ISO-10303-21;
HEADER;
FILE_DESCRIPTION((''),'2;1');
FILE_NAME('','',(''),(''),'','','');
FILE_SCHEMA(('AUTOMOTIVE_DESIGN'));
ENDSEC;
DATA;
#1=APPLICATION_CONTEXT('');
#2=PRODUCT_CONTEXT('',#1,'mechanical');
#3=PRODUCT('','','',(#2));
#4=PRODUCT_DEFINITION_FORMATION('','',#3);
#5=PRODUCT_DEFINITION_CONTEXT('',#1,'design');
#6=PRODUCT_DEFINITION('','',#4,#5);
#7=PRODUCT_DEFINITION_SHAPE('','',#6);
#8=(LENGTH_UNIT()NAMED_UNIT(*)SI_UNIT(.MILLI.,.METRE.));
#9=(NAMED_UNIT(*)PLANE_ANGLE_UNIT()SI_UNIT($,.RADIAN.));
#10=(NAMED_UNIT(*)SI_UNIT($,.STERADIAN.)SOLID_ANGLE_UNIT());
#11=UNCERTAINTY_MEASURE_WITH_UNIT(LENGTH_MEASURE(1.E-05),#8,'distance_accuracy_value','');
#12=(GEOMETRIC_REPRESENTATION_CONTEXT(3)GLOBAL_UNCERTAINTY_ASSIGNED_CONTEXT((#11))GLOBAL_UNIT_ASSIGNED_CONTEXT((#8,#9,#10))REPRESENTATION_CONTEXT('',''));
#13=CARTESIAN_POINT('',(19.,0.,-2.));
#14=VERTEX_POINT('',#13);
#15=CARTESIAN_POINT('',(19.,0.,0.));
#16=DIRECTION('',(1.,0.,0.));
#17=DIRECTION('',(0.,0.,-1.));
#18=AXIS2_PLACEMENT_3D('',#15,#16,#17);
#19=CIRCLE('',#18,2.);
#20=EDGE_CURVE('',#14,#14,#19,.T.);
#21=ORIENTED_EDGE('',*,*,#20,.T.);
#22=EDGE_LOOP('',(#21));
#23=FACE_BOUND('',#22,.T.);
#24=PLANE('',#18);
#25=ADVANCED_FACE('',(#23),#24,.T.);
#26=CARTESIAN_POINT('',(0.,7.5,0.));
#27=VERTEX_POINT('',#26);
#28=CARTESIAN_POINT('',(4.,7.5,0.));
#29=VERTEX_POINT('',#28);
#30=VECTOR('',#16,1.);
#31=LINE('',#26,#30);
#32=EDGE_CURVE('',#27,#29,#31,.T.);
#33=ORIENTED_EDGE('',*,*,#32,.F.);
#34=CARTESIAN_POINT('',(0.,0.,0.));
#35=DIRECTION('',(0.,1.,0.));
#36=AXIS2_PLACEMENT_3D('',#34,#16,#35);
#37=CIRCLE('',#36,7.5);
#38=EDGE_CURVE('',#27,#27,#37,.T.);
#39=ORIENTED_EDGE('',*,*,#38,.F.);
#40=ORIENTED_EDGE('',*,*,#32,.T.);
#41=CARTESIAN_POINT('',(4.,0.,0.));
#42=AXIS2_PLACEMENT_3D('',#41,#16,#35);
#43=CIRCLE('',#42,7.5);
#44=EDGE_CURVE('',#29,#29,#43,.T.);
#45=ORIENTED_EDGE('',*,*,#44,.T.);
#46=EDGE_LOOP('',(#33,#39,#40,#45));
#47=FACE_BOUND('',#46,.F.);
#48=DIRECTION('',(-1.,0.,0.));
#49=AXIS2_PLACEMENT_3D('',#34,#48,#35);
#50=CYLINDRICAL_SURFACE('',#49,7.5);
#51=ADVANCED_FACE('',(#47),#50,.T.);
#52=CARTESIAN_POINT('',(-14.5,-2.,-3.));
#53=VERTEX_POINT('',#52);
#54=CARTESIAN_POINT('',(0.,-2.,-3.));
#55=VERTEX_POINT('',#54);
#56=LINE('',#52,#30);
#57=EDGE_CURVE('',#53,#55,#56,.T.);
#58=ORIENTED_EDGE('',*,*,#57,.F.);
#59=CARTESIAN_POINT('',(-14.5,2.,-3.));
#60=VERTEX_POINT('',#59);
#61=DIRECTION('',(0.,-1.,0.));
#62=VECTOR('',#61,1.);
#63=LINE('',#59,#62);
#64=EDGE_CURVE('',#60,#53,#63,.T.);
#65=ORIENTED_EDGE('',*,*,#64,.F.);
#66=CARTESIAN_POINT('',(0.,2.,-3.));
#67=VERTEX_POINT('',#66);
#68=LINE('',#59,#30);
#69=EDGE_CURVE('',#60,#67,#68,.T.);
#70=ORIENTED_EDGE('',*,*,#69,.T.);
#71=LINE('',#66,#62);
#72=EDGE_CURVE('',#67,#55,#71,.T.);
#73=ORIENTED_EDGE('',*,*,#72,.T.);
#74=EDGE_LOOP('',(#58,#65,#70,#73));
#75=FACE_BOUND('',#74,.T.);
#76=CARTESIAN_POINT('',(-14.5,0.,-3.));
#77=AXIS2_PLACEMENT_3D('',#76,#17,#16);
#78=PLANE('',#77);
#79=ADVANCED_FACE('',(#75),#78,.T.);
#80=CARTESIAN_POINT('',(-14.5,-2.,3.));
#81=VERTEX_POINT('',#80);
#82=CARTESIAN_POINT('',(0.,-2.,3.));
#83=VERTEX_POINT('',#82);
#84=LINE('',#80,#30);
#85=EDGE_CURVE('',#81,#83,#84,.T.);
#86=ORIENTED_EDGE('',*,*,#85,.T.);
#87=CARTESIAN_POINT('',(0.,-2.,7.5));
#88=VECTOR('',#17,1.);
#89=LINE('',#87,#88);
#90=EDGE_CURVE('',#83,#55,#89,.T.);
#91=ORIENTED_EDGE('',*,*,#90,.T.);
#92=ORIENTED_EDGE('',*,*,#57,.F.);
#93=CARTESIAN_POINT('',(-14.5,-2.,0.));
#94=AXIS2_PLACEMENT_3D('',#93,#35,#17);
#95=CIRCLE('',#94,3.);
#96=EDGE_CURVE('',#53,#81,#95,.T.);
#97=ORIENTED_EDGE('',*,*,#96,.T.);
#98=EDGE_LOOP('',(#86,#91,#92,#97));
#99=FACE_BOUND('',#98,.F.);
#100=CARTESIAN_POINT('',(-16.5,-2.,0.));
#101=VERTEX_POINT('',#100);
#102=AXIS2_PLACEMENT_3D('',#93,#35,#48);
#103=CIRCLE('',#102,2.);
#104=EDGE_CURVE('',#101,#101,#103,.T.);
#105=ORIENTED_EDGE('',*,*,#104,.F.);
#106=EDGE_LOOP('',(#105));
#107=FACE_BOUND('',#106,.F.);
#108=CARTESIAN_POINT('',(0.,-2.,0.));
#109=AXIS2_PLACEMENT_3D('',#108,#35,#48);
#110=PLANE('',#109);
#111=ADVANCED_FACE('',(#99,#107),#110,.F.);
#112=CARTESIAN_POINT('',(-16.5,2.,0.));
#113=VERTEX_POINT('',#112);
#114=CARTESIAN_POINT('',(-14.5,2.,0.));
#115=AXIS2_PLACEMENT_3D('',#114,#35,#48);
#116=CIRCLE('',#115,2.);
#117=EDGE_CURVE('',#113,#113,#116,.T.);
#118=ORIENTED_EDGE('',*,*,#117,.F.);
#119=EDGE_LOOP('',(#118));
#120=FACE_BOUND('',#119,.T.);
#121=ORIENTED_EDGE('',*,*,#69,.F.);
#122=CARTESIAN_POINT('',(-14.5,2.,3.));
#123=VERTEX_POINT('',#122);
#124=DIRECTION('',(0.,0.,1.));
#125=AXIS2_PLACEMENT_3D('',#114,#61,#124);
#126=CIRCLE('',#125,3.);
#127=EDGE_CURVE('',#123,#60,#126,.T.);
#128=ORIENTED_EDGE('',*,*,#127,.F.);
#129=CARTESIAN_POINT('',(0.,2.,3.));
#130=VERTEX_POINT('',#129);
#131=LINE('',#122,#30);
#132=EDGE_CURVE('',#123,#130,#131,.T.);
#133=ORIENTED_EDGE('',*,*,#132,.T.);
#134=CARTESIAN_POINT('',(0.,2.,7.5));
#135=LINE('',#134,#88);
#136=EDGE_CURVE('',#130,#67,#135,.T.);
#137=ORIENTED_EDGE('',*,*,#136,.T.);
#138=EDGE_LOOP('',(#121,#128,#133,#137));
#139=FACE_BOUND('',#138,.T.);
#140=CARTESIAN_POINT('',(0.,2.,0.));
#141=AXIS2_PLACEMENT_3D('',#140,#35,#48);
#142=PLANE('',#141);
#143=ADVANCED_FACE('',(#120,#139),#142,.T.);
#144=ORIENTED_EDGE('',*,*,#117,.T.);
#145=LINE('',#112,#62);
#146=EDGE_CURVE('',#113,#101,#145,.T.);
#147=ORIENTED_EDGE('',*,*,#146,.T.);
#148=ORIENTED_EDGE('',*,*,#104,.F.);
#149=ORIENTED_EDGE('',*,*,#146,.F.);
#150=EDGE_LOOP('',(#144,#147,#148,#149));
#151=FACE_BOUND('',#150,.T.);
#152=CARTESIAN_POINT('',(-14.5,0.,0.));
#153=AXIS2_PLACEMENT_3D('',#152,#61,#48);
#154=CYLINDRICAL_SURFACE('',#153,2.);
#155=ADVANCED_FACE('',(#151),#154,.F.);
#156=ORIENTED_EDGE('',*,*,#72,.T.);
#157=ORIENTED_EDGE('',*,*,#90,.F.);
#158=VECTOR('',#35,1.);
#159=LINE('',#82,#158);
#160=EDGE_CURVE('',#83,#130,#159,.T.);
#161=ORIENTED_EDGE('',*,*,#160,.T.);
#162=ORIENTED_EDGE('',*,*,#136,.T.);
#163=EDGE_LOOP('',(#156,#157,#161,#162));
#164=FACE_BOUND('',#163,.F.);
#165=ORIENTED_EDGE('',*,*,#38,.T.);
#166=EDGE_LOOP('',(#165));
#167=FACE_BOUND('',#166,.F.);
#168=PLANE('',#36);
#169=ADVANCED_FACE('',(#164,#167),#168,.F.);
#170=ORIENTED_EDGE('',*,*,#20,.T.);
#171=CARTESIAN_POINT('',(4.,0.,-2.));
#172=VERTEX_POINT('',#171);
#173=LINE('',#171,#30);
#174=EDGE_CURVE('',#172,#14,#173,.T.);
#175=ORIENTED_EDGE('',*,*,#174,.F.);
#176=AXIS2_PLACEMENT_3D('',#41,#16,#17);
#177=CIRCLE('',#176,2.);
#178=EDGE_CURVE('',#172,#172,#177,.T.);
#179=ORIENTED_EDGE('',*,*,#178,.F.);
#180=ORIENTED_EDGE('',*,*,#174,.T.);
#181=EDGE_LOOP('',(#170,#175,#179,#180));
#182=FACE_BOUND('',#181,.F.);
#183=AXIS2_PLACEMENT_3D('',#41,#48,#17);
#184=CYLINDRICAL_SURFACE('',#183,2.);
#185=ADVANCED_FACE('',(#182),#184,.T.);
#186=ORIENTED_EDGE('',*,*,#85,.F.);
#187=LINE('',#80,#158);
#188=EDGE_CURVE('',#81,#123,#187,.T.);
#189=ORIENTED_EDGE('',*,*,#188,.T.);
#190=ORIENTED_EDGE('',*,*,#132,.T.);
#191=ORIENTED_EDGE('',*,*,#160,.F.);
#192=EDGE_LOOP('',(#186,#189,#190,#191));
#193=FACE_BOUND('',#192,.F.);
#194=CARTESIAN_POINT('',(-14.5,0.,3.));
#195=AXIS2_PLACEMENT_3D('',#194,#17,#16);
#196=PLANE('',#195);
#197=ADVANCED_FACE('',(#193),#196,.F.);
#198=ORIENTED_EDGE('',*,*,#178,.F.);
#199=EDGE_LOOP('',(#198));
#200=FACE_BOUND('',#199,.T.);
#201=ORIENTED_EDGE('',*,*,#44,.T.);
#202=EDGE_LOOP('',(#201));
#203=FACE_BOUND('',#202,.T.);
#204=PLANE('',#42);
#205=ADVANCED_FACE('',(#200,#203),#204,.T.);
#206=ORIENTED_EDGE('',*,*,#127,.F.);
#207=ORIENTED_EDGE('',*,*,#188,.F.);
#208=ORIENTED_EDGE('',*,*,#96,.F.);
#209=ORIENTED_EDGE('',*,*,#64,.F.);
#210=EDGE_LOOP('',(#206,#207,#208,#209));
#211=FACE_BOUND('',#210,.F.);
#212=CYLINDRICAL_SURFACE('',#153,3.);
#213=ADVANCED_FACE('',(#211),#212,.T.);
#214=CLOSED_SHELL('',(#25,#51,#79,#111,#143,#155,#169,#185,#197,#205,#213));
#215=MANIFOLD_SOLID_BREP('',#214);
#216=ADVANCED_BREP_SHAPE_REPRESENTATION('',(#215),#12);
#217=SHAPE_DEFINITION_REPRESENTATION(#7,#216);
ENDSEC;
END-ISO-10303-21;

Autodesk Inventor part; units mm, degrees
ref_plane "YZ Plane" through (0, 0, 0) normal (1, 0, 0) x (0, 1, 0)
ref_plane "XZ Plane" through (0, 0, 0) normal (0, 1, 0) x (-1, 0, 0)
ref_plane "XY Plane" through (0, 0, 0) normal (0, 0, 1) x (1, 0, 0)
sketch "スケッチ1" plane through (0, 0, 0) normal (1, 0, 0) x (0, 1, 0)
  circle A0 centre (0, 0) radius 7.5
  dimension "d0" = 15
extrude "押し出し1" add sketch "スケッチ1" along normal blind 4
sketch "スケッチ2" plane through (0, 0, 0) normal (0, 1, 0) x (-1, 0, 0)
  circle A0 centre (14.5, 0) radius 2
  circle A1 centre (14.5, 0) radius 3
  line L0 (14.5, -3) -> (0, -3)
  line L1 (0, 7.5) -> (0, -7.5) projected
  line L2 (14.5, 3) -> (0, 3)
  point P0 (0, 0)
  dimension "d3" = 4
  dimension "d4" = 6
  dimension "d5" = 14.5
extrude "押し出し2" add sketch "スケッチ2" along normal mid plane 4
sketch "スケッチ3" plane through (4, 0, 0) normal (1, 0, 0) x (0, 0, -1)
  circle A0 centre (0, 0) radius 2
  dimension "d8" = 4
extrude "押し出し3" add sketch "スケッチ3" along normal blind 15
properties part number "black-suspension-top" material "ABS プラスチック"
